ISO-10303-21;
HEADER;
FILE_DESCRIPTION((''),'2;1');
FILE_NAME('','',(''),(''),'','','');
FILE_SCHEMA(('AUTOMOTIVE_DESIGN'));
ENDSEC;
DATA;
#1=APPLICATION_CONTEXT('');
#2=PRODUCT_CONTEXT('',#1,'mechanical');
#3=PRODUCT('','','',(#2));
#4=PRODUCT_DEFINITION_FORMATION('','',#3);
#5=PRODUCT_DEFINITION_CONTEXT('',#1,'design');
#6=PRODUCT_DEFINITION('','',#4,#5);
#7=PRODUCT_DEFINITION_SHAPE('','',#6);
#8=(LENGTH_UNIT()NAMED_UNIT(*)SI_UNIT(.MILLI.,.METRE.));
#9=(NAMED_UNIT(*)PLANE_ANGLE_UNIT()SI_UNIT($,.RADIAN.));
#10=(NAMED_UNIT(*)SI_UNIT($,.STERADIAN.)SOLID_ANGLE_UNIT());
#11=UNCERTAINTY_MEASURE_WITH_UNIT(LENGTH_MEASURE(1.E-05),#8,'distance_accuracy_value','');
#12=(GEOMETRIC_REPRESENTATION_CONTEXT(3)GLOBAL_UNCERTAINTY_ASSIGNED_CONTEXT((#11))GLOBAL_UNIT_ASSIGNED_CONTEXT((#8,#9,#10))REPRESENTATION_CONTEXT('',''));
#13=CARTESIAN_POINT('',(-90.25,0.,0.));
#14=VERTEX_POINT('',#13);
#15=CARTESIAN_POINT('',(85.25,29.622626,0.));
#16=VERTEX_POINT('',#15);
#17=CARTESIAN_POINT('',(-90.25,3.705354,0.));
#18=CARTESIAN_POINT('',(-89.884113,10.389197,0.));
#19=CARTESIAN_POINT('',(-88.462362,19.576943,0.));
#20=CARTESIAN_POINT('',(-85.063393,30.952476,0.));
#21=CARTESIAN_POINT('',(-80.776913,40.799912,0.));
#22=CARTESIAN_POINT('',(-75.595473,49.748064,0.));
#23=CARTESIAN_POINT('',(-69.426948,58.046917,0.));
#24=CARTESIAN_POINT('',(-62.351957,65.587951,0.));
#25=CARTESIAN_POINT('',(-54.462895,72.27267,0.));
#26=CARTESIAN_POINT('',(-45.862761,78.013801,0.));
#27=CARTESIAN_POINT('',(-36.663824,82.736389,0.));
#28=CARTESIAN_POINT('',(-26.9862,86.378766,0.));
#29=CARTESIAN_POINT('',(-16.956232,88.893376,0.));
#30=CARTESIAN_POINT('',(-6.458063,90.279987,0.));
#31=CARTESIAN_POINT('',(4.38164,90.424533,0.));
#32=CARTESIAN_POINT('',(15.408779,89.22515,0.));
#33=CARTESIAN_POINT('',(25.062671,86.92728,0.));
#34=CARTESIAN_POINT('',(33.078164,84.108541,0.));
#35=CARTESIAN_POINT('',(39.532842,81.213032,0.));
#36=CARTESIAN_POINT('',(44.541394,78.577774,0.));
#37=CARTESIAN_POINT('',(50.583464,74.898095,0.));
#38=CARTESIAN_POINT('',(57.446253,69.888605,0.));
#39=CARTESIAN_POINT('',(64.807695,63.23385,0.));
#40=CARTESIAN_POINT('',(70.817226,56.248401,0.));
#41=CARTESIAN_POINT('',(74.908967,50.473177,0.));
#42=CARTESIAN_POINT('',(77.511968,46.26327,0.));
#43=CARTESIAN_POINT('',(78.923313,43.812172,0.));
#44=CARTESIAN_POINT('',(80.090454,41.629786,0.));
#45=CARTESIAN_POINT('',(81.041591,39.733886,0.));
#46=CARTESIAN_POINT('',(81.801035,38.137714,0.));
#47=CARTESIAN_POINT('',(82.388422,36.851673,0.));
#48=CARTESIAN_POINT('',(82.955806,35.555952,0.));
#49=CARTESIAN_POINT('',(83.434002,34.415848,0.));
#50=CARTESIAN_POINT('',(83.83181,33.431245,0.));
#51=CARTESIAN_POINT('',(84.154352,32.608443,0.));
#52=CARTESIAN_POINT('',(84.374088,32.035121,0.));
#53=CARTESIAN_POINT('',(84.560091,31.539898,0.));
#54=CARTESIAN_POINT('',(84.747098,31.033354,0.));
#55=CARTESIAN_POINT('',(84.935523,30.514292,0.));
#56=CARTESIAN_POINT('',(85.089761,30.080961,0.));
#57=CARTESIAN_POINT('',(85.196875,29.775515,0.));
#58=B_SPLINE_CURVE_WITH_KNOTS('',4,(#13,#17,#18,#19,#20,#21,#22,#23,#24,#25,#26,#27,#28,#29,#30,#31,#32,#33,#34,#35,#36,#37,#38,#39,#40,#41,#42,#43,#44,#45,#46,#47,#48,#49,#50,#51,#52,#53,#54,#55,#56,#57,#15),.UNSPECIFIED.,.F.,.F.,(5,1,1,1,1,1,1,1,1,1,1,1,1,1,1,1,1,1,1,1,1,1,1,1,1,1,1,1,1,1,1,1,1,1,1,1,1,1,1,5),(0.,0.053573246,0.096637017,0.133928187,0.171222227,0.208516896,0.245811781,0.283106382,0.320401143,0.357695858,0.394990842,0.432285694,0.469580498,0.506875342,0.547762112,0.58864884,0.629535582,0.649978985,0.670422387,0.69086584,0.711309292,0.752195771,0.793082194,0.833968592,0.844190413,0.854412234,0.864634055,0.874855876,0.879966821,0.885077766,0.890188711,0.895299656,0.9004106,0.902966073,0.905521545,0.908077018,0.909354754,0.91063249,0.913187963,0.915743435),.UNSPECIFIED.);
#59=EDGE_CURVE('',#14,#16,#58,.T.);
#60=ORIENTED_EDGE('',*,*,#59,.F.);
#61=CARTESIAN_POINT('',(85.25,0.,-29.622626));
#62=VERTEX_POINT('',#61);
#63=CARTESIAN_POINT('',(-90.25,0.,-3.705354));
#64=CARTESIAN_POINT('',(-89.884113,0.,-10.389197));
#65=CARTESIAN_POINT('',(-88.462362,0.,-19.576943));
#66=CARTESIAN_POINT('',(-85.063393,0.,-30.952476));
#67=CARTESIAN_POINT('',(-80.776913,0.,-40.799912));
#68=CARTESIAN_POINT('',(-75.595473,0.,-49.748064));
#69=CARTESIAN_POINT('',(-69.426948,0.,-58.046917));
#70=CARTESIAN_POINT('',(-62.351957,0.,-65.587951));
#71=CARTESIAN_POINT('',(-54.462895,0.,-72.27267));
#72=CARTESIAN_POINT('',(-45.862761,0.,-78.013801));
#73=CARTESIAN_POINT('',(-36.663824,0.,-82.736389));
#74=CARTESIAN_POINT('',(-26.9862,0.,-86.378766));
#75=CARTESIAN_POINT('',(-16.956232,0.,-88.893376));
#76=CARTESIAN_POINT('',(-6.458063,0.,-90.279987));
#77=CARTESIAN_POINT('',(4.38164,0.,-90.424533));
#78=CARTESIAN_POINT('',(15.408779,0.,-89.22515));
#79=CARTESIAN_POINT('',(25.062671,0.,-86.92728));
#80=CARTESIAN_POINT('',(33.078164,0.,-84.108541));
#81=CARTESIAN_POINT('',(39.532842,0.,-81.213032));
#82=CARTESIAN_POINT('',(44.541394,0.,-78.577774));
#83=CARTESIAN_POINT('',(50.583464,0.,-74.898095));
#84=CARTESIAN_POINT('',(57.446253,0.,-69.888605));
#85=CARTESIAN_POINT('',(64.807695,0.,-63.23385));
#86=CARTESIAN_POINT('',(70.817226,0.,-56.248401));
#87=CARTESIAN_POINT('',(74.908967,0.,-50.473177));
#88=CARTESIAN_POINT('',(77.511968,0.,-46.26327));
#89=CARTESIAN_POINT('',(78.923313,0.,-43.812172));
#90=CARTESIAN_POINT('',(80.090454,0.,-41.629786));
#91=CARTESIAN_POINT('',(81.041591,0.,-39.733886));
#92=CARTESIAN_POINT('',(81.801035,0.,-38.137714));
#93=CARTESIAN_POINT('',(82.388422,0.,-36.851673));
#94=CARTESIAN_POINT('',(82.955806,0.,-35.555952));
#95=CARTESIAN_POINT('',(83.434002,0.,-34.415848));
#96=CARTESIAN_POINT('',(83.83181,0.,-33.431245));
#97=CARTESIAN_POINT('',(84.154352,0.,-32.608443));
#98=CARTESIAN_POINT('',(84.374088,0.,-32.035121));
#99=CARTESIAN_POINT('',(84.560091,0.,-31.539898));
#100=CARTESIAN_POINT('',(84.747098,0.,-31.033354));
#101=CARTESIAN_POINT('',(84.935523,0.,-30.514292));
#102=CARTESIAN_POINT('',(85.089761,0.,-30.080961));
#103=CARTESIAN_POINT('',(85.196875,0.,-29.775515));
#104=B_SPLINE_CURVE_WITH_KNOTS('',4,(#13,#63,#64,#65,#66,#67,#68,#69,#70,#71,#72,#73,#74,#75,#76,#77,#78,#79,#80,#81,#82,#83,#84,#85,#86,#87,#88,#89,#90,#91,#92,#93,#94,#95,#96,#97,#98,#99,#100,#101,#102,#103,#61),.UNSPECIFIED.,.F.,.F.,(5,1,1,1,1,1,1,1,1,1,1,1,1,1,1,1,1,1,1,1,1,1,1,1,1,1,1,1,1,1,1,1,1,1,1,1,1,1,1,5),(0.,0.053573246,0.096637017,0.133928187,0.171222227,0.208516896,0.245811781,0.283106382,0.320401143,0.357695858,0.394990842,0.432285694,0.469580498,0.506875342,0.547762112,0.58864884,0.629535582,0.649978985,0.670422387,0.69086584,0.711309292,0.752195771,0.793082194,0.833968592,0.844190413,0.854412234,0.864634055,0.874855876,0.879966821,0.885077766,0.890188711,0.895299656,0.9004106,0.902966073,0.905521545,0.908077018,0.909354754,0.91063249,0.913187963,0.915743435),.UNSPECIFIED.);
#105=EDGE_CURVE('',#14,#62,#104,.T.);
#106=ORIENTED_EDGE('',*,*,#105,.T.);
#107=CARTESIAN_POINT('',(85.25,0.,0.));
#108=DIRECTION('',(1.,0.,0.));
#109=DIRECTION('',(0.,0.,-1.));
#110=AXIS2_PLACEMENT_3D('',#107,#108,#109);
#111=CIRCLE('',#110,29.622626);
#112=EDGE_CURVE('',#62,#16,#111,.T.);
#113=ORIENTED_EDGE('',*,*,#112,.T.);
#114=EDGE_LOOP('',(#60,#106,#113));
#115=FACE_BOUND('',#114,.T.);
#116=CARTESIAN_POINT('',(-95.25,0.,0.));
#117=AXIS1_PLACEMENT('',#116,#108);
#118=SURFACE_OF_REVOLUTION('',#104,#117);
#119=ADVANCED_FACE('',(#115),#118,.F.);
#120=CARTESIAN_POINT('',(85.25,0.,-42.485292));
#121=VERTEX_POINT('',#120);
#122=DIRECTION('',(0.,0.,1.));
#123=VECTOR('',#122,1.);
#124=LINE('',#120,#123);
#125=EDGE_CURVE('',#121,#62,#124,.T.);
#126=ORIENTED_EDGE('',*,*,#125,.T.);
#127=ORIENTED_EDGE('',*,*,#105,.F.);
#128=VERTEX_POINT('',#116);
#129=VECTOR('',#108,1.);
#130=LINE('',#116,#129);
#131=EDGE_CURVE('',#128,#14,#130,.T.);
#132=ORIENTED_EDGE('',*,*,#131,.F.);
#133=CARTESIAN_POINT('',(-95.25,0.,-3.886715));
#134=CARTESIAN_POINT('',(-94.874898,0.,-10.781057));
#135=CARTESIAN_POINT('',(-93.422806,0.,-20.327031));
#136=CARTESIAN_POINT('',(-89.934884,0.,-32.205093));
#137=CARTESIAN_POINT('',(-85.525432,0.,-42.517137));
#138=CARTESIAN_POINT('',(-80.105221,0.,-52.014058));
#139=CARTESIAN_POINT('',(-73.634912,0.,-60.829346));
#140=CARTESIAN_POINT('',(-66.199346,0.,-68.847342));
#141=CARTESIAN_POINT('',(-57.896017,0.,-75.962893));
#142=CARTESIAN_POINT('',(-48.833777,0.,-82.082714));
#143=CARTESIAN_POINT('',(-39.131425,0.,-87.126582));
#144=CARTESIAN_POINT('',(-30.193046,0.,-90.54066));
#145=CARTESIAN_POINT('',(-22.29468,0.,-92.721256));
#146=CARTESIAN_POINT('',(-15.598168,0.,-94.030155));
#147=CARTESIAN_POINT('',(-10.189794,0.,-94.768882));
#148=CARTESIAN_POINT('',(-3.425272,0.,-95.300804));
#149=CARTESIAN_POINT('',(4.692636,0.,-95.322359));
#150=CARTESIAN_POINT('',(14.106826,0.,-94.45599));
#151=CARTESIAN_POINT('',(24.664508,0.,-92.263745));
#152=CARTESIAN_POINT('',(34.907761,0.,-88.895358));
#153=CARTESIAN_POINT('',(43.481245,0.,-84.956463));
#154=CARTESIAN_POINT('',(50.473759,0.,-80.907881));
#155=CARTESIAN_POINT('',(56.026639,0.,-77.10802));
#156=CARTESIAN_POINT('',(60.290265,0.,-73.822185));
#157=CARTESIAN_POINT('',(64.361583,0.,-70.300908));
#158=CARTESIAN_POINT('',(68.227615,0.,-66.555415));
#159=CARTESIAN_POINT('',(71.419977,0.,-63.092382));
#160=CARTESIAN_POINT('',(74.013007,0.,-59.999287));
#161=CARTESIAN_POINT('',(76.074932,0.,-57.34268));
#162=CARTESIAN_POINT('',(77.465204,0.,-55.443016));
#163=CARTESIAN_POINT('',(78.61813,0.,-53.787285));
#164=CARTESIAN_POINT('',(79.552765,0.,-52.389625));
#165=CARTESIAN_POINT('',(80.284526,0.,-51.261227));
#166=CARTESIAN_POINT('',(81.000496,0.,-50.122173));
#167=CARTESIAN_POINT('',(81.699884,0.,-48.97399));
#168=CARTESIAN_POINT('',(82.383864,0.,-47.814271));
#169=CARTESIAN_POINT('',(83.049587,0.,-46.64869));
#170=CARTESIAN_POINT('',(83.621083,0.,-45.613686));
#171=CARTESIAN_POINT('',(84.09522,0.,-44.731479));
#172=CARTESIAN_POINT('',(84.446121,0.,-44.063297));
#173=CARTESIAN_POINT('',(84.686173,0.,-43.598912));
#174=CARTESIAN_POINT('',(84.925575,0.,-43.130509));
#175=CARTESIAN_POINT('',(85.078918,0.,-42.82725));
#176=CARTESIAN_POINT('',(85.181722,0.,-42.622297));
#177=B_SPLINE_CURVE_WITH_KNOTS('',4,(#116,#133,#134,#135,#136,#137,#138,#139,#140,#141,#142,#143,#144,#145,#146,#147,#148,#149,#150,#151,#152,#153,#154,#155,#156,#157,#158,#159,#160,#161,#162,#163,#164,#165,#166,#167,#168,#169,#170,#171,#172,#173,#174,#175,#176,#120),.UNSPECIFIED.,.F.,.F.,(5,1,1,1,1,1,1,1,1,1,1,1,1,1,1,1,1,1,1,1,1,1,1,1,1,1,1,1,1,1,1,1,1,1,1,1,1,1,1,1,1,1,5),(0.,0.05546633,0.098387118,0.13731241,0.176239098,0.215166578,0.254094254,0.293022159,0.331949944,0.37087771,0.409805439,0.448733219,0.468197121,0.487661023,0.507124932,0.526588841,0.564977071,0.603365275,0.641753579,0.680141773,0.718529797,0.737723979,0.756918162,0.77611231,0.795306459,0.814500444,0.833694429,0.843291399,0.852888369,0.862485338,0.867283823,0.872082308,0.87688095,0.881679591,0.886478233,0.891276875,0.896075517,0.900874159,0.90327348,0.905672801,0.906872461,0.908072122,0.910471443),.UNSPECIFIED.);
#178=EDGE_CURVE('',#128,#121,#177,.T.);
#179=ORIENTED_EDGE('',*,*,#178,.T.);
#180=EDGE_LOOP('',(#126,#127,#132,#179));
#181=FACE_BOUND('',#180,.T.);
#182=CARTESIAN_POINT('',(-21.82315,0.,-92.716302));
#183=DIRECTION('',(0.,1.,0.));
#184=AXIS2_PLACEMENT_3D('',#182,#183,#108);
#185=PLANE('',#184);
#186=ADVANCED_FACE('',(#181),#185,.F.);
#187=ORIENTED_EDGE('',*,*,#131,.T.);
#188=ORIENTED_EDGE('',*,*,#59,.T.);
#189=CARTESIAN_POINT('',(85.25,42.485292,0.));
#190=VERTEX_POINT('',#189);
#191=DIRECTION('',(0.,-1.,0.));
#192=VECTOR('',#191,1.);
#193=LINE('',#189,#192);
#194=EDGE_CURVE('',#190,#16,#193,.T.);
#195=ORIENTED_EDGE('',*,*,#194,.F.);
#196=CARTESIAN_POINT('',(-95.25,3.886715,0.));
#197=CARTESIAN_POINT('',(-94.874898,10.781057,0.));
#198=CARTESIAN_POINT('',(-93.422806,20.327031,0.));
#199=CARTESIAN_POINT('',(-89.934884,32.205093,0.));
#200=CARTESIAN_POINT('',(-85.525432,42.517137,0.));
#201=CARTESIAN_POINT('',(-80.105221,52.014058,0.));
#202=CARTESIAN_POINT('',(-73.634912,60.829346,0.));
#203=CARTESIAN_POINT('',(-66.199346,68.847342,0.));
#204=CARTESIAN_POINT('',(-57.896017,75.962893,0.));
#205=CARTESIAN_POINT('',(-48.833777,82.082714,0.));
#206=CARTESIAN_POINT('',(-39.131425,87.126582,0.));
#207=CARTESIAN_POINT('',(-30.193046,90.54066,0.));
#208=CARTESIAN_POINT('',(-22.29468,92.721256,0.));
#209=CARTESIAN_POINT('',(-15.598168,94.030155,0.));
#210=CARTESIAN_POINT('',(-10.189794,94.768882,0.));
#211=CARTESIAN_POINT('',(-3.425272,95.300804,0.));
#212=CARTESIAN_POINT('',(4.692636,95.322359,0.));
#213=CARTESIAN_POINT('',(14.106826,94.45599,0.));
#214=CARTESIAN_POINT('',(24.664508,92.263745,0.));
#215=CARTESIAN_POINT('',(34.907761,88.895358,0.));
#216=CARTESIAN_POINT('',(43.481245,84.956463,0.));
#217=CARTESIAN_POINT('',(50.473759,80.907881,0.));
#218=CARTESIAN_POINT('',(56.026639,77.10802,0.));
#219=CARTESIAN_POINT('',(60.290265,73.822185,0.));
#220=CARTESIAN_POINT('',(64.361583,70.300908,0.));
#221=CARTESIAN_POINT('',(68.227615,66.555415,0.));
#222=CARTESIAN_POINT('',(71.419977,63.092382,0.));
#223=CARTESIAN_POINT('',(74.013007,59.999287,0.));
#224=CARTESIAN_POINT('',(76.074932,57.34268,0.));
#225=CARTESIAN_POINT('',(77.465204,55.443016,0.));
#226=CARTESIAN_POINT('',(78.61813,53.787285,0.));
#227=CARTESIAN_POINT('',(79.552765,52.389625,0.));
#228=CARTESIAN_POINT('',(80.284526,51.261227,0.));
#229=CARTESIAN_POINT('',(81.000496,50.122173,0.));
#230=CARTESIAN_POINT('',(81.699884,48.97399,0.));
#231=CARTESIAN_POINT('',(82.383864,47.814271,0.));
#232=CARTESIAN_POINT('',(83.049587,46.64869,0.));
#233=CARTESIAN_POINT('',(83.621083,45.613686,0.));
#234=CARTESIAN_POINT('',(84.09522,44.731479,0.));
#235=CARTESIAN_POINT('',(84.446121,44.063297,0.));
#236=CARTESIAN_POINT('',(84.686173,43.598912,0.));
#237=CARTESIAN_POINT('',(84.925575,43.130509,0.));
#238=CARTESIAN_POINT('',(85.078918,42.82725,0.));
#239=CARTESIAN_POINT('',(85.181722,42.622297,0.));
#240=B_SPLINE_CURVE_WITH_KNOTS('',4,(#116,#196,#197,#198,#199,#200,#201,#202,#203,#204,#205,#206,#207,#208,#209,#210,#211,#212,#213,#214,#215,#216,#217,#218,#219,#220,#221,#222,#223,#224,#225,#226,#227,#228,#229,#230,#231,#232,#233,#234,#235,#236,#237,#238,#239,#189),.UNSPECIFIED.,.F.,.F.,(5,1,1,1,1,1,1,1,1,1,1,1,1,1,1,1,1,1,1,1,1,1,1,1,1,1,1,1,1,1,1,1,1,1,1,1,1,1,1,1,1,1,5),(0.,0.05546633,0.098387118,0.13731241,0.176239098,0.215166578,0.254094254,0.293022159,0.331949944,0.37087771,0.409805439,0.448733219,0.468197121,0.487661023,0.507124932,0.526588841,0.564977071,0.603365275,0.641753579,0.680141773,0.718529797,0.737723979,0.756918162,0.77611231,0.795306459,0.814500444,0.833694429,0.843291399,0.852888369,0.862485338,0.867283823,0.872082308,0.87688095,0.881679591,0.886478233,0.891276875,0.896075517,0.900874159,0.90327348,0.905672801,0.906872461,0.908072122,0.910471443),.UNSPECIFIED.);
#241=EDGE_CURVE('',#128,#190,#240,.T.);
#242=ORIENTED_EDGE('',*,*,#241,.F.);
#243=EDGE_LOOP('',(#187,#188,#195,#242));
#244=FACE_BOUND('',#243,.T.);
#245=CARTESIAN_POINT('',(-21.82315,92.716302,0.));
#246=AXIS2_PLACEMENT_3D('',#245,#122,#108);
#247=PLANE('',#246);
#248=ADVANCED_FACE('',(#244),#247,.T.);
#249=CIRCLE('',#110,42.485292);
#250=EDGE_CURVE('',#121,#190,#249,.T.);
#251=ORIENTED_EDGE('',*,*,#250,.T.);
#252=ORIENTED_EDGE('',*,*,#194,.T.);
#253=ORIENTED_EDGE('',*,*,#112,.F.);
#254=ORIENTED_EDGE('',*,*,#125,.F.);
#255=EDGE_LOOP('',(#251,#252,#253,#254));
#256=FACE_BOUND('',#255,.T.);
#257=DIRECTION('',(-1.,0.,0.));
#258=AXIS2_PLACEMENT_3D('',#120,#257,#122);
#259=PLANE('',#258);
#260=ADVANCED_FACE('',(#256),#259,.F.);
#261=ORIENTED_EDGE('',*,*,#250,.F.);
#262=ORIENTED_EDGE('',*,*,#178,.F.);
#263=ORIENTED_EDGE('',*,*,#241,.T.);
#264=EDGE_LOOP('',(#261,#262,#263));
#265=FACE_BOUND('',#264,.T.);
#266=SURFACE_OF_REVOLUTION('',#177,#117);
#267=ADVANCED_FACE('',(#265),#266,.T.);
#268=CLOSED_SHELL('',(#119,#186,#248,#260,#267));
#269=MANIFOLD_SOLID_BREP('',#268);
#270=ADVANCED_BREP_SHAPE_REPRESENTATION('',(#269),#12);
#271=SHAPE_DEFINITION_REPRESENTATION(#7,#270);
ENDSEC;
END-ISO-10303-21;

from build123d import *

# Parameters (mm, degrees)
REVOLVE1_ANGLE = 90


with BuildPart() as part:
    # Sketch2 → Revolve1 (revolve)
    with BuildSketch(Plane.XY):
        with BuildLine():
            Line((-95.25, 0), (-90.25, 0))
            add(Edge.make_bspline(
                [(-90.25, 0), (-90.24999956, 3.705354147), (-89.884113391, 10.389197128), (-88.46236209, 19.576943244), (-85.063392765, 30.952475888), (-80.776913123, 40.79991206), (-75.595472533, 49.748064286), (-69.426948495, 58.046917281), (-62.351956617, 65.58795107), (-54.462894895, 72.272669641), (-45.86276068, 78.013801241), (-36.663824141, 82.736389121), (-26.98620007, 86.378765771), (-16.956231513, 88.893375525), (-6.458062805, 90.279986509), (4.381639822, 90.424532912), (15.408779036, 89.225149901), (25.062670503, 86.927280308), (33.078163559, 84.108541143), (39.532842427, 81.213032348), (44.541393892, 78.57777362), (50.583464016, 74.898095255), (57.446252635, 69.888605097), (64.80769511, 63.233849539), (70.817226136, 56.248401441), (74.908966512, 50.473176675), (77.511967579, 46.263269961), (78.923312577, 43.81217214), (80.090453969, 41.629785978), (81.041590991, 39.733885887), (81.801034864, 38.137713564), (82.388421596, 36.851673331), (82.95580586, 35.555952313), (83.434002469, 34.415847835), (83.831810225, 33.431244506), (84.154352436, 32.608443295), (84.374087914, 32.035121351), (84.560091479, 31.539898039), (84.747097746, 31.033354346), (84.935522763, 30.514292297), (85.08976101, 30.080960875), (85.196874544, 29.77551452), (85.25, 29.622626488)],
                knots=[0, 0, 0, 0, 0, 0.053573246, 0.096637017, 0.133928187, 0.171222227, 0.208516896, 0.245811781, 0.283106382, 0.320401143, 0.357695858, 0.394990842, 0.432285694, 0.469580498, 0.506875342, 0.547762112, 0.58864884, 0.629535582, 0.649978985, 0.670422387, 0.69086584, 0.711309292, 0.752195771, 0.793082194, 0.833968592, 0.844190413, 0.854412234, 0.864634055, 0.874855876, 0.879966821, 0.885077766, 0.890188711, 0.895299656, 0.9004106, 0.902966073, 0.905521545, 0.908077018, 0.909354754, 0.91063249, 0.913187963, 0.915743435, 0.915743435, 0.915743435, 0.915743435, 0.915743435], degree=4))
            Line((85.25, 29.622626488), (85.25, 42.485291572))
            add(Edge.make_bspline(
                [(-95.25, 0), (-95.249999772, 3.886715338), (-94.87489846, 10.781056894), (-93.422805875, 20.327030651), (-89.934883822, 32.205092602), (-85.525432348, 42.517137325), (-80.105220698, 52.014057607), (-73.634911908, 60.829345788), (-66.199345822, 68.847341738), (-57.896017155, 75.962892863), (-48.833776514, 82.082714483), (-39.131425291, 87.126582048), (-30.193045783, 90.540659881), (-22.29467995, 92.721256275), (-15.598168302, 94.030154619), (-10.189793665, 94.768881698), (-3.425272172, 95.300804482), (4.692635562, 95.322359221), (14.10682621, 94.455989976), (24.66450784, 92.263744831), (34.907760986, 88.89535784), (43.481245013, 84.956462986), (50.473758849, 80.907881317), (56.026638816, 77.108020077), (60.290264599, 73.822184832), (64.361582567, 70.300907909), (68.227615414, 66.555414975), (71.419976881, 63.092382127), (74.013007435, 59.999286736), (76.074932036, 57.342679924), (77.465204448, 55.443015969), (78.618129509, 53.787284623), (79.552764993, 52.389625272), (80.284525731, 51.261226761), (81.000495784, 50.122172839), (81.699884439, 48.973989549), (82.383863979, 47.814271345), (83.049586506, 46.648690306), (83.621083166, 45.613685903), (84.095220295, 44.73147923), (84.446120765, 44.063296503), (84.686172548, 43.59891243), (84.925575044, 43.130508872), (85.078918139, 42.827249783), (85.181721924, 42.622296774), (85.25, 42.485291572)],
                knots=[0, 0, 0, 0, 0, 0.05546633, 0.098387118, 0.13731241, 0.176239098, 0.215166578, 0.254094254, 0.293022159, 0.331949944, 0.37087771, 0.409805439, 0.448733219, 0.468197121, 0.487661023, 0.507124932, 0.526588841, 0.564977071, 0.603365275, 0.641753579, 0.680141773, 0.718529797, 0.737723979, 0.756918162, 0.77611231, 0.795306459, 0.814500444, 0.833694429, 0.843291399, 0.852888369, 0.862485338, 0.867283823, 0.872082308, 0.87688095, 0.881679591, 0.886478233, 0.891276875, 0.896075517, 0.900874159, 0.90327348, 0.905672801, 0.906872461, 0.908072122, 0.910471443, 0.910471443, 0.910471443, 0.910471443, 0.910471443], degree=4))
        make_face()
    revolve(axis=Axis((-95.25, 0, 0), (-1, 0, 0)), revolution_arc=REVOLVE1_ANGLE)


solid = part.part
